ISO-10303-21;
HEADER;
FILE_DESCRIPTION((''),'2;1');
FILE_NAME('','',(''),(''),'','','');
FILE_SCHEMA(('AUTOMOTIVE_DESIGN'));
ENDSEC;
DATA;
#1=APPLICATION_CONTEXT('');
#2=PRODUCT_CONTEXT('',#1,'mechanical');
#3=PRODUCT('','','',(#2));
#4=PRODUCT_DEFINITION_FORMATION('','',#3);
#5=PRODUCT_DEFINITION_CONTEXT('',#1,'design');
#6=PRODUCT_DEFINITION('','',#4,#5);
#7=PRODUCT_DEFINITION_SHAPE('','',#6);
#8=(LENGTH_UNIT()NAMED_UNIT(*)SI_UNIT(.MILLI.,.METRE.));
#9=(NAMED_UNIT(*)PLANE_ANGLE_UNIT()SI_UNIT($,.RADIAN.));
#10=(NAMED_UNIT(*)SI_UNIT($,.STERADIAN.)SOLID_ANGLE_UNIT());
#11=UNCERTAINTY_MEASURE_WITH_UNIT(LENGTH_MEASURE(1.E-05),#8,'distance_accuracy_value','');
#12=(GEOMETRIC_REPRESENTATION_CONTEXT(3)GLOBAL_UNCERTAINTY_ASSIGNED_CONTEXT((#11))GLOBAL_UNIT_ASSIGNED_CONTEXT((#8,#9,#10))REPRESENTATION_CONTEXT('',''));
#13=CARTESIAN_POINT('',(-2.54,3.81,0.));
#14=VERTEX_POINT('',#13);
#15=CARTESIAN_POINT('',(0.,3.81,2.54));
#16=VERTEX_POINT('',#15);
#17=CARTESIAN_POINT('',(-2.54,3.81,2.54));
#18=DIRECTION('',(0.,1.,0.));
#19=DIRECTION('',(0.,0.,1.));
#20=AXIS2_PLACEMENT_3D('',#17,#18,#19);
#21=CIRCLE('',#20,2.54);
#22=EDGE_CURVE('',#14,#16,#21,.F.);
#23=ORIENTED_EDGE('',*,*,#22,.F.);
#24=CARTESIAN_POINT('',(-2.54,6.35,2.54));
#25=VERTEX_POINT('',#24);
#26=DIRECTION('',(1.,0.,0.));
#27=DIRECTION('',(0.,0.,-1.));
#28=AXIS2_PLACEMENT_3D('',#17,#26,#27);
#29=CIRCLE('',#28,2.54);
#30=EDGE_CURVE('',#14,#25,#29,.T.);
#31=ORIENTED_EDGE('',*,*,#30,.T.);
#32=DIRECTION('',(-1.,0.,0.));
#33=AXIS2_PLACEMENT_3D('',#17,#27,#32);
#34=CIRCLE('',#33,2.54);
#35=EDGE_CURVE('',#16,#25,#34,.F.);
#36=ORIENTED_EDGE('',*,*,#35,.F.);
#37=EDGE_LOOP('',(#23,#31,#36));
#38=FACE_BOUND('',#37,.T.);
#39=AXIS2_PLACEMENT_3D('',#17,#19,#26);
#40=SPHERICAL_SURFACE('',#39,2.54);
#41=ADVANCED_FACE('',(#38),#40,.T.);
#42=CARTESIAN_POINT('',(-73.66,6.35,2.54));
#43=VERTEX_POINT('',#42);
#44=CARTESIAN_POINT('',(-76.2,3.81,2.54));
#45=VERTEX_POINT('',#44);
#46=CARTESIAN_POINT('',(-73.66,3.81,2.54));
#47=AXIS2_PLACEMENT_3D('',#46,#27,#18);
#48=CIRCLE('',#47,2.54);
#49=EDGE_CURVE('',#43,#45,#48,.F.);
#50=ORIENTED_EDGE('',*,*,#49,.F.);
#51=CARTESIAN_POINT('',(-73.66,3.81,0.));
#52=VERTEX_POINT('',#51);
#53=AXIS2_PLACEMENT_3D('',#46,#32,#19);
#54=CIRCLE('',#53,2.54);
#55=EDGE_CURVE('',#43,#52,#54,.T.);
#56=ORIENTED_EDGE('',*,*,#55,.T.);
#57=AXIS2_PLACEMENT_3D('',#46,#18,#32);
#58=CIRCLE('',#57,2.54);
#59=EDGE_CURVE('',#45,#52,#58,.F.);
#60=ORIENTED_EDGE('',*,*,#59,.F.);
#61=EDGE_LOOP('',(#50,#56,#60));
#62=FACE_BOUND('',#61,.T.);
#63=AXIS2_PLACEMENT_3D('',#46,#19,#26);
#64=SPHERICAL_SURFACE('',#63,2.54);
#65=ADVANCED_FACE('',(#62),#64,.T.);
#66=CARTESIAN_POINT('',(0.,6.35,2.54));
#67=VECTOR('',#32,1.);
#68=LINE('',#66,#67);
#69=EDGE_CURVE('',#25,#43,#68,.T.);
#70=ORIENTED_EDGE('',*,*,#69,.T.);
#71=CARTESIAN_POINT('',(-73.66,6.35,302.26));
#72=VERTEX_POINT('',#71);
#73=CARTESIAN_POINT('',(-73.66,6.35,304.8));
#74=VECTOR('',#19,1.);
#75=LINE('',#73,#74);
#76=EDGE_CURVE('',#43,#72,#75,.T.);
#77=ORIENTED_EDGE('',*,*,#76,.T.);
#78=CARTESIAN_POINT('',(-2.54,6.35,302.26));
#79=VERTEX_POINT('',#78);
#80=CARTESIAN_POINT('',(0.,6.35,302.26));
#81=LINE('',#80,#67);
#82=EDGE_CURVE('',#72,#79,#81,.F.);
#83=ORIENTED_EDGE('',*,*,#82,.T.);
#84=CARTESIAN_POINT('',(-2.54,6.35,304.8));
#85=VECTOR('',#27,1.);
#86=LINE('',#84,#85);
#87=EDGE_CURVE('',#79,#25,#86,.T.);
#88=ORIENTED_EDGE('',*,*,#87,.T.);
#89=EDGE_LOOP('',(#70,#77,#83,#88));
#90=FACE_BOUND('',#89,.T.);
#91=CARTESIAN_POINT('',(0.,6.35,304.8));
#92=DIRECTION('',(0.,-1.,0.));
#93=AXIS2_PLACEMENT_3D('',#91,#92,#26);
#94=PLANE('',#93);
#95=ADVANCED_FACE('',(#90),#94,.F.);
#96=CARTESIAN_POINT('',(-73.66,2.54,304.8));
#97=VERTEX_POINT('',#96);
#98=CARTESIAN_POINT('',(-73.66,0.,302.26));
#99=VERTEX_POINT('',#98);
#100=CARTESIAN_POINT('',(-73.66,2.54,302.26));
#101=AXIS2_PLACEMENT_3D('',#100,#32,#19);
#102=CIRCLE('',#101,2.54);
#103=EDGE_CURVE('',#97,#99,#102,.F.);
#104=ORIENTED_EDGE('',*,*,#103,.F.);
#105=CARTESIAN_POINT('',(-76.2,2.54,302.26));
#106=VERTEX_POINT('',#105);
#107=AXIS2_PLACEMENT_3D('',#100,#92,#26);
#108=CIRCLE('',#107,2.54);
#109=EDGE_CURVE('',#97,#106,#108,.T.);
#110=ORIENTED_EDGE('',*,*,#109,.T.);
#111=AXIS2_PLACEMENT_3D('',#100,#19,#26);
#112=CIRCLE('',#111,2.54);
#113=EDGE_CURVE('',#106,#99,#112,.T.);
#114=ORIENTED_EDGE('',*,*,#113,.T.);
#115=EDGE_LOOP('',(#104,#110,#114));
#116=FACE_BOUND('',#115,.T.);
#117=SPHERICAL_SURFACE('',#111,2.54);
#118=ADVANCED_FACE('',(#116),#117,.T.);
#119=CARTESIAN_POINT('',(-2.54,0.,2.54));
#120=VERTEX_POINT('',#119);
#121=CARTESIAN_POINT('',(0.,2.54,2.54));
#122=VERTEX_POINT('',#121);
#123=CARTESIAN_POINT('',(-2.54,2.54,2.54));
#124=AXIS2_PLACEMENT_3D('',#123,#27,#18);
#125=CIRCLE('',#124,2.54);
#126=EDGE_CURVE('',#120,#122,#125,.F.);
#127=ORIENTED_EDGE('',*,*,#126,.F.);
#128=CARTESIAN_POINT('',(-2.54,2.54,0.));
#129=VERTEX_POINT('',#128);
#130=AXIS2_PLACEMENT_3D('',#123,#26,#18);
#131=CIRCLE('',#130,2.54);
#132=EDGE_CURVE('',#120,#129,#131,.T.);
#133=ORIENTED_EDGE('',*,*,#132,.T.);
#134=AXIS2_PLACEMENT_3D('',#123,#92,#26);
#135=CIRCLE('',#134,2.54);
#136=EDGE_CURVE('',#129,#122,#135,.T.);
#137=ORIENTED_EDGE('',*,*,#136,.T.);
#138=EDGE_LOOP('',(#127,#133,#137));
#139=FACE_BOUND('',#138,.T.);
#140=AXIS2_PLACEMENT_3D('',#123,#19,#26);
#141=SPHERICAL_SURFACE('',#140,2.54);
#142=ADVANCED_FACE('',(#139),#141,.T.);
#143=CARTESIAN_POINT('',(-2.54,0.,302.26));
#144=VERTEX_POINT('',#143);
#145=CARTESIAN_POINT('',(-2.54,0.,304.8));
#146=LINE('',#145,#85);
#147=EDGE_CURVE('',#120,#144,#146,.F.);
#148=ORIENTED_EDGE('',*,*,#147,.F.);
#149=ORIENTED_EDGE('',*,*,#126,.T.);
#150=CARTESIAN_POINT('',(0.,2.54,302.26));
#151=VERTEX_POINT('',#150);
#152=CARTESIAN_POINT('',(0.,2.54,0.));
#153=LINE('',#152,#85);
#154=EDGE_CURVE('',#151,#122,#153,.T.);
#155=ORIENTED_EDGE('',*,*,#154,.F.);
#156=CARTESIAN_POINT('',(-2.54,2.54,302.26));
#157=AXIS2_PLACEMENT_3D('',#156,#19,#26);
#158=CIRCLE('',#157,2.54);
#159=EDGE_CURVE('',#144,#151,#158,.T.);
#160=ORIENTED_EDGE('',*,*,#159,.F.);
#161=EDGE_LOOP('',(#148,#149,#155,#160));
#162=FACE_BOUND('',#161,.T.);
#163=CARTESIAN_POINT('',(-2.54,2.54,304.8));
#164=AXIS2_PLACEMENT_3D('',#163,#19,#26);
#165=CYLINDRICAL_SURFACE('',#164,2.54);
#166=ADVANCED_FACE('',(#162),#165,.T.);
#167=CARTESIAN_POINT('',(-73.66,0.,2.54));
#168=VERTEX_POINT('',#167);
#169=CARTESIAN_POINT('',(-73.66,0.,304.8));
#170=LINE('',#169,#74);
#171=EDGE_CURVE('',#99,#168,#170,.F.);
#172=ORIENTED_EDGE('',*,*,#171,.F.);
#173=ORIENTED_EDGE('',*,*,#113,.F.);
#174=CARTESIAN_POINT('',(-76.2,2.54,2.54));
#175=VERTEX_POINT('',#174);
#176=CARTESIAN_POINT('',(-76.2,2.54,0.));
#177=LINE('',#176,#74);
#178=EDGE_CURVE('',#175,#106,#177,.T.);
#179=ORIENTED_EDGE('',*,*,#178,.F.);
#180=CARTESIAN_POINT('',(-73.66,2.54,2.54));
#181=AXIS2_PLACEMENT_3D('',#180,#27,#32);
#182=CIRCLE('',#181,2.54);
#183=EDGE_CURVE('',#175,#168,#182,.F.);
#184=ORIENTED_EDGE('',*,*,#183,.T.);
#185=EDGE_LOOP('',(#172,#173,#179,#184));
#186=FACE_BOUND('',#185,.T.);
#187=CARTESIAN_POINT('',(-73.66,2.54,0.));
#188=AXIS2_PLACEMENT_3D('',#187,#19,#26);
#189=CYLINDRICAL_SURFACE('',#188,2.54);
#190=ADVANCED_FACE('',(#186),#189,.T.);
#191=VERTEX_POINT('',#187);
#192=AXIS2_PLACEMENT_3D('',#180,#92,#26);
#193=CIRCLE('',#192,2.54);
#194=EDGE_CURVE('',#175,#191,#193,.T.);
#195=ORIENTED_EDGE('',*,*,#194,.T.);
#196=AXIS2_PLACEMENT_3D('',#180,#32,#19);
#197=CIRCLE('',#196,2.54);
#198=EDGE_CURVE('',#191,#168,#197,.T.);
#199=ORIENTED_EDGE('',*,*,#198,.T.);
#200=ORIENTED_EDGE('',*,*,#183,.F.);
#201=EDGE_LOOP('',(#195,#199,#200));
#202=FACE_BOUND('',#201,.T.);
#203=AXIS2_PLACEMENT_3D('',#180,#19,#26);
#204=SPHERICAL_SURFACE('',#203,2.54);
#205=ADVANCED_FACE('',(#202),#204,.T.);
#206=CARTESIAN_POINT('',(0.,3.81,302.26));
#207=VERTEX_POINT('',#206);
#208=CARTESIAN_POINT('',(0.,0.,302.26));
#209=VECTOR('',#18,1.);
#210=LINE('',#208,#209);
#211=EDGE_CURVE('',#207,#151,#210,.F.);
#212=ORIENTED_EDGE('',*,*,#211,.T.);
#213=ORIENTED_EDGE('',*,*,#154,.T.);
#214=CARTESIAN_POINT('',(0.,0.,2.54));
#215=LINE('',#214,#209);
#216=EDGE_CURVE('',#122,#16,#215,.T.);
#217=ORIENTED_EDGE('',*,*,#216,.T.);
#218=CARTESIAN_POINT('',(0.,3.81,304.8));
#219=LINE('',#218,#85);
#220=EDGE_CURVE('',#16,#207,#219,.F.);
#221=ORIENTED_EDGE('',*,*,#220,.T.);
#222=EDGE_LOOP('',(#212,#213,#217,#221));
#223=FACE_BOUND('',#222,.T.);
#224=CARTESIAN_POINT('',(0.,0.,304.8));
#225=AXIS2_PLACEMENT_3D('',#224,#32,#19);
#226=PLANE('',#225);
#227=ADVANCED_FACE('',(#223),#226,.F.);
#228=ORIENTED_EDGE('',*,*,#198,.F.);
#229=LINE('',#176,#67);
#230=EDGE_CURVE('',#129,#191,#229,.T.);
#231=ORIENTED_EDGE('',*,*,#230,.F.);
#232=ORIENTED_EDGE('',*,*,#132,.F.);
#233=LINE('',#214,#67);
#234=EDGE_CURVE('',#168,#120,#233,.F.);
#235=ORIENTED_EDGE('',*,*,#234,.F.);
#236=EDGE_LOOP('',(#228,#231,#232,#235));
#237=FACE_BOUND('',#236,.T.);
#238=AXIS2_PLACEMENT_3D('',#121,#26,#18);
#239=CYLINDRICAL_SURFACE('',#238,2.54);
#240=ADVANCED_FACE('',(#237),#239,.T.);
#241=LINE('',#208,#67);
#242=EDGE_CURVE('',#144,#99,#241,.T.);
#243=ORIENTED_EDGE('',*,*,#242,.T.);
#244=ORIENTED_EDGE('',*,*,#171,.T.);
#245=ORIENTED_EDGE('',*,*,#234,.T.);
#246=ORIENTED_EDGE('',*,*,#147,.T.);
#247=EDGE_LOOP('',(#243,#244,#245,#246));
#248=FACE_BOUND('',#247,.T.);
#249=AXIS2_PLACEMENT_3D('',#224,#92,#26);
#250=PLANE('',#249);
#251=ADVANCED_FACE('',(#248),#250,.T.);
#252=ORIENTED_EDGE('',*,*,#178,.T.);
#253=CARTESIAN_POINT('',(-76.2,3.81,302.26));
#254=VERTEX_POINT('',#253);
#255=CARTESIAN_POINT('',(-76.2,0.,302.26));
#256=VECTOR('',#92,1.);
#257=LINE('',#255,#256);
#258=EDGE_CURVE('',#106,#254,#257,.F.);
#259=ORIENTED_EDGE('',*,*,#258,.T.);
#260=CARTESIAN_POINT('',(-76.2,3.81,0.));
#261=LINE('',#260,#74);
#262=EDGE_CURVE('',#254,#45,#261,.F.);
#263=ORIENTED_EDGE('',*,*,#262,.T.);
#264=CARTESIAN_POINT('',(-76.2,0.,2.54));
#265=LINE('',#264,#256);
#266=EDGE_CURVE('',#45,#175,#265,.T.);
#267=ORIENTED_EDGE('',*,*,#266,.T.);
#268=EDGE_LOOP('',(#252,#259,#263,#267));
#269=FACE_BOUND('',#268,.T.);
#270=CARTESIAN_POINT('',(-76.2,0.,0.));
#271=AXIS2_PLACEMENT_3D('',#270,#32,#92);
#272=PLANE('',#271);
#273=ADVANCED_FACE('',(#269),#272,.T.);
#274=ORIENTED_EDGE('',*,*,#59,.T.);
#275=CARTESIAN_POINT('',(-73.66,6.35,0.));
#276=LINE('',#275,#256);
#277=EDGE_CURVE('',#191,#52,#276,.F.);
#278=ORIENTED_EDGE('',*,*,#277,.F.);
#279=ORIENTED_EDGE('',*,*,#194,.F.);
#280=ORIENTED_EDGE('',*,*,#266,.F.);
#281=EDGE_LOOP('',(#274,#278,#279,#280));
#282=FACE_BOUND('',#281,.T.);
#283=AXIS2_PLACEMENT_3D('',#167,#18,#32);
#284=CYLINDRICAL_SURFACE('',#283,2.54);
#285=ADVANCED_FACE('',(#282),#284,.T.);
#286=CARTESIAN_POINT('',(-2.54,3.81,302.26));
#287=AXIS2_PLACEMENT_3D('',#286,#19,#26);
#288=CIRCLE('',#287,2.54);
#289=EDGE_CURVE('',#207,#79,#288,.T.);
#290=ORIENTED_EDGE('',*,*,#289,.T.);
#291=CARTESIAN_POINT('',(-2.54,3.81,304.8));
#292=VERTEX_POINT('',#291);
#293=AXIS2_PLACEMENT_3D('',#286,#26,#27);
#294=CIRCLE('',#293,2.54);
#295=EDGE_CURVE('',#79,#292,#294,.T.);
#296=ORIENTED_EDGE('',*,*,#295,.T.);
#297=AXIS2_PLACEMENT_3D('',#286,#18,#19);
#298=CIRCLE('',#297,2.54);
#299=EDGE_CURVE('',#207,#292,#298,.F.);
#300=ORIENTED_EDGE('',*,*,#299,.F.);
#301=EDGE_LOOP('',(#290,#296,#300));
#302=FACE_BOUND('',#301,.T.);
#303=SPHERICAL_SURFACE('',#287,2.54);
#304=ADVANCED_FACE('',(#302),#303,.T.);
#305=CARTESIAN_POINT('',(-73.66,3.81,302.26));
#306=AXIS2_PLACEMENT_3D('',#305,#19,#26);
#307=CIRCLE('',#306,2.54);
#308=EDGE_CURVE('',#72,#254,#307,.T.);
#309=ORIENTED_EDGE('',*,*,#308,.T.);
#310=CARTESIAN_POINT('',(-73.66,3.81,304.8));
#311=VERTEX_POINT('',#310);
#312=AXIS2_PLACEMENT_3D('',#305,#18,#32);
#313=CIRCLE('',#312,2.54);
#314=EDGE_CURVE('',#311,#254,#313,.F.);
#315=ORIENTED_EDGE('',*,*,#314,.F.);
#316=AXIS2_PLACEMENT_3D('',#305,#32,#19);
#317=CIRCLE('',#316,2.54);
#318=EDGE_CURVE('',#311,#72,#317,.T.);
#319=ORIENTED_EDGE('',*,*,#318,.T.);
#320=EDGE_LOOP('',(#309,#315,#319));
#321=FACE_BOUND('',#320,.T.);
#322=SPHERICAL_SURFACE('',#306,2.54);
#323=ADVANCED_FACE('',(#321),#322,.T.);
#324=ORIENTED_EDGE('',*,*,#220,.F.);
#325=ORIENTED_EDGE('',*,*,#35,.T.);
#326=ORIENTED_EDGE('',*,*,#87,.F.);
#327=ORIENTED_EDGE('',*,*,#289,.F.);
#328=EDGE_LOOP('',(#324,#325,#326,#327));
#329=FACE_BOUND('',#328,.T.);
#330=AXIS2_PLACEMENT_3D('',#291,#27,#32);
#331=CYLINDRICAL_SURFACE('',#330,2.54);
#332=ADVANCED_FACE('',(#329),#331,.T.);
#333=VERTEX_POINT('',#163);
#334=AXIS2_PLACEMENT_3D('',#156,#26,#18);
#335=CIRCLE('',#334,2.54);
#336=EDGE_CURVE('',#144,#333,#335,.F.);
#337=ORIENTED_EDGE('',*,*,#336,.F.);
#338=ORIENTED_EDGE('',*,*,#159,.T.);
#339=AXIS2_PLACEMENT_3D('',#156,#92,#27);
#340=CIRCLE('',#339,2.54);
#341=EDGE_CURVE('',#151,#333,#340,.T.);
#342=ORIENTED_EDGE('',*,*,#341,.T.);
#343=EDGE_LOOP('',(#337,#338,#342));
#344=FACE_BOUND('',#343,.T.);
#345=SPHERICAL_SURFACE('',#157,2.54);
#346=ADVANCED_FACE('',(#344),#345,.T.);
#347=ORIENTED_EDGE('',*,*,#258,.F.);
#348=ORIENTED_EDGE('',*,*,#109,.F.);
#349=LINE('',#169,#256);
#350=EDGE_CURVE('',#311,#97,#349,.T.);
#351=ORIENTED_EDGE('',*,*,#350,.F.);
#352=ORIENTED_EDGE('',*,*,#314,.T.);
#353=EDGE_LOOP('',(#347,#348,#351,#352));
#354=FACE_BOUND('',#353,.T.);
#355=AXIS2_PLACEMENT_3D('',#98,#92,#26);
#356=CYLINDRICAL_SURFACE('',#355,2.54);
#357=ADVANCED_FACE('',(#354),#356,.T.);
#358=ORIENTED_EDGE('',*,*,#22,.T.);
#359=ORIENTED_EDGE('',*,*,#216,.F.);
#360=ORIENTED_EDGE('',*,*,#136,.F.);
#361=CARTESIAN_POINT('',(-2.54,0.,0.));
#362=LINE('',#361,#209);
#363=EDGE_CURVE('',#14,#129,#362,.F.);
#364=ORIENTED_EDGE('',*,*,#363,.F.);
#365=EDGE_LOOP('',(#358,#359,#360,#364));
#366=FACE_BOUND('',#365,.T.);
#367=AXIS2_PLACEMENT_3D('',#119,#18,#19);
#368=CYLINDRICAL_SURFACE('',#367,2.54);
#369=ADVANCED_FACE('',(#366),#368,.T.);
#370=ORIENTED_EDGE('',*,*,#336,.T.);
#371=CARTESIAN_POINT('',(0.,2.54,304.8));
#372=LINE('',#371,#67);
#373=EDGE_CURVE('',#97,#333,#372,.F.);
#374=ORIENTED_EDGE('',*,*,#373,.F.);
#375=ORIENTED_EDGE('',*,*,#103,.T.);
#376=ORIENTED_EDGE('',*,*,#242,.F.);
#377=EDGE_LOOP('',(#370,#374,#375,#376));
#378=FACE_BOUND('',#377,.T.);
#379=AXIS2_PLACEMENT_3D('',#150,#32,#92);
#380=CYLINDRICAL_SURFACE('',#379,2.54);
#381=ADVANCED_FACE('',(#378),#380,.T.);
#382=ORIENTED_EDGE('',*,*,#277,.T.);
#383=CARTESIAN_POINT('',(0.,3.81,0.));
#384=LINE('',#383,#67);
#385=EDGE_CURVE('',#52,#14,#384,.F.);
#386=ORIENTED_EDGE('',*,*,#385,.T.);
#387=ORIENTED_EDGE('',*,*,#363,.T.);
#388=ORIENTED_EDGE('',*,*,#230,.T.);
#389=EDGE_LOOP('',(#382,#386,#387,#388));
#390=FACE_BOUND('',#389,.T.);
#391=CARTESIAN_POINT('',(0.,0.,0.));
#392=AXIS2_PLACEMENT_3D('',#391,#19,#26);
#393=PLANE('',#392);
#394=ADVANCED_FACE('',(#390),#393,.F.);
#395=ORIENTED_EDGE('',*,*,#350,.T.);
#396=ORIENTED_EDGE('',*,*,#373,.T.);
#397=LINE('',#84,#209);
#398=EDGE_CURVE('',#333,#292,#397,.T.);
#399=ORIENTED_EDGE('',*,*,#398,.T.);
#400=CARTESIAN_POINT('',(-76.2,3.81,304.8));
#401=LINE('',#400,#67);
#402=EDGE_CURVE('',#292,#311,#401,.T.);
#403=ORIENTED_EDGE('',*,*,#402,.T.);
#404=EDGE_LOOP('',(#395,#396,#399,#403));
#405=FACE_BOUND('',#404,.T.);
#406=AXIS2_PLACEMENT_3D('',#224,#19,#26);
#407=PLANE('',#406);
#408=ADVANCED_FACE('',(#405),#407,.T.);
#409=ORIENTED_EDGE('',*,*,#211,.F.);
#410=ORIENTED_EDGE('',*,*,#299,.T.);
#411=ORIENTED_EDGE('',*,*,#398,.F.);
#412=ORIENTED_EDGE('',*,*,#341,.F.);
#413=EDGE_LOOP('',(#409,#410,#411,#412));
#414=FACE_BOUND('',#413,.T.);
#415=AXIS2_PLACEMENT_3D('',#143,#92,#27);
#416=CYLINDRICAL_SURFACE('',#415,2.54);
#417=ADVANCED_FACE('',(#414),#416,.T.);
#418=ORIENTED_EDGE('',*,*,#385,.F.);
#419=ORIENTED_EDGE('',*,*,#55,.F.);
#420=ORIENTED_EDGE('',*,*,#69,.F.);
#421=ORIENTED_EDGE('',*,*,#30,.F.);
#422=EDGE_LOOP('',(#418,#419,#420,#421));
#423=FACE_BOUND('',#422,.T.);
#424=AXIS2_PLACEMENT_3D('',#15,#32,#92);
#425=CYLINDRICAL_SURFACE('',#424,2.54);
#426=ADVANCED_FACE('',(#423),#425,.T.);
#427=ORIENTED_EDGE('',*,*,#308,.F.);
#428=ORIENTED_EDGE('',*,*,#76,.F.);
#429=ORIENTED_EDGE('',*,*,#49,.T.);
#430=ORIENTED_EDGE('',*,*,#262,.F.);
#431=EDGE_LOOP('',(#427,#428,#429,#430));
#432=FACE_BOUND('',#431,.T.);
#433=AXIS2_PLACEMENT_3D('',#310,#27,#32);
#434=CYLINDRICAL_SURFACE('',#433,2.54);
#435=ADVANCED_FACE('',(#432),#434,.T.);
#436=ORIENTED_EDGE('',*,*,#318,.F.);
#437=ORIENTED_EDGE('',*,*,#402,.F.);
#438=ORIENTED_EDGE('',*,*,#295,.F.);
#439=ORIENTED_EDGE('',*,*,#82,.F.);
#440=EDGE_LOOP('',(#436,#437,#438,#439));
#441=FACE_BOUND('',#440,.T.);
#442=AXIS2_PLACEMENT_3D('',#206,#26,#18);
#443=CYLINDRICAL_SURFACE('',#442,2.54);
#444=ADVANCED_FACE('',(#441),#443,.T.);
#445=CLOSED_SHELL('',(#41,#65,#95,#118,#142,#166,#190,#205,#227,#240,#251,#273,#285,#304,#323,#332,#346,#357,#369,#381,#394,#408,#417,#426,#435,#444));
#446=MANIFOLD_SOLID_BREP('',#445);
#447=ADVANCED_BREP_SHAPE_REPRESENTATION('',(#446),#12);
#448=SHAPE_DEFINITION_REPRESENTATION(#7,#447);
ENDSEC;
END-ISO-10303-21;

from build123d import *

# Parameters (mm, degrees)
SKETCH1_W           = 254
SKETCH1_H           = 6.35
BOSS_EXTRUDE1_DEPTH = 304.8
CUT_EXTRUDE1_DEPTH  = 304.8
SKETCH4_W           = 181.607961477
SKETCH4_H           = 399.050444088
CUT_EXTRUDE2_DEPTH  = 397.811494919
FILLET2_R           = 2.54


with BuildPart() as part:
    # Sketch1 → Boss-Extrude1 (new body)
    with BuildSketch(Plane.XY):
        with Locations((-127, 3.175)):
            Rectangle(SKETCH1_W, SKETCH1_H)
    extrude(amount=BOSS_EXTRUDE1_DEPTH)

    # Sketch2 → Cut-Extrude1 (cut)
    with BuildSketch(Plane(origin=(0, 6.35, 0), x_dir=(1, 0, 0), z_dir=(0, 1, 0))):
        Polygon((-101.6, -304.8), (-254, 0), (-254, -304.8), align=None)
    extrude(amount=-CUT_EXTRUDE1_DEPTH, mode=Mode.SUBTRACT)

    # Sketch4 → Cut-Extrude2 (cut, through all)
    with BuildSketch(Plane(origin=(0, 6.35, 0), x_dir=(1, 0, 0), z_dir=(0, 1, 0))):
        with Locations((-167.003980738, -164.054917068)):
            Rectangle(SKETCH4_W, SKETCH4_H)
    extrude(amount=-CUT_EXTRUDE2_DEPTH, mode=Mode.SUBTRACT)

    # Fillet2
    fillet2_edges = [part.edges().sort_by_distance(p)[0] for p in [
        (-38.1, 0, 304.8),
        (-76.2, 3.175, 0),
        (-76.2, 6.35, 152.4),
        (-76.2, 3.175, 304.8),
        (-76.2, 0, 152.4),
        (0, 3.175, 304.8),
        (-38.1, 0, 0),
        (-38.1, 6.35, 0),
        (0, 3.175, 0),
        (0, 0, 152.4),
        (0, 6.35, 152.4),
        (-38.1, 6.35, 304.8),
    ]]
    fillet(fillet2_edges, radius=FILLET2_R)


solid = part.part
